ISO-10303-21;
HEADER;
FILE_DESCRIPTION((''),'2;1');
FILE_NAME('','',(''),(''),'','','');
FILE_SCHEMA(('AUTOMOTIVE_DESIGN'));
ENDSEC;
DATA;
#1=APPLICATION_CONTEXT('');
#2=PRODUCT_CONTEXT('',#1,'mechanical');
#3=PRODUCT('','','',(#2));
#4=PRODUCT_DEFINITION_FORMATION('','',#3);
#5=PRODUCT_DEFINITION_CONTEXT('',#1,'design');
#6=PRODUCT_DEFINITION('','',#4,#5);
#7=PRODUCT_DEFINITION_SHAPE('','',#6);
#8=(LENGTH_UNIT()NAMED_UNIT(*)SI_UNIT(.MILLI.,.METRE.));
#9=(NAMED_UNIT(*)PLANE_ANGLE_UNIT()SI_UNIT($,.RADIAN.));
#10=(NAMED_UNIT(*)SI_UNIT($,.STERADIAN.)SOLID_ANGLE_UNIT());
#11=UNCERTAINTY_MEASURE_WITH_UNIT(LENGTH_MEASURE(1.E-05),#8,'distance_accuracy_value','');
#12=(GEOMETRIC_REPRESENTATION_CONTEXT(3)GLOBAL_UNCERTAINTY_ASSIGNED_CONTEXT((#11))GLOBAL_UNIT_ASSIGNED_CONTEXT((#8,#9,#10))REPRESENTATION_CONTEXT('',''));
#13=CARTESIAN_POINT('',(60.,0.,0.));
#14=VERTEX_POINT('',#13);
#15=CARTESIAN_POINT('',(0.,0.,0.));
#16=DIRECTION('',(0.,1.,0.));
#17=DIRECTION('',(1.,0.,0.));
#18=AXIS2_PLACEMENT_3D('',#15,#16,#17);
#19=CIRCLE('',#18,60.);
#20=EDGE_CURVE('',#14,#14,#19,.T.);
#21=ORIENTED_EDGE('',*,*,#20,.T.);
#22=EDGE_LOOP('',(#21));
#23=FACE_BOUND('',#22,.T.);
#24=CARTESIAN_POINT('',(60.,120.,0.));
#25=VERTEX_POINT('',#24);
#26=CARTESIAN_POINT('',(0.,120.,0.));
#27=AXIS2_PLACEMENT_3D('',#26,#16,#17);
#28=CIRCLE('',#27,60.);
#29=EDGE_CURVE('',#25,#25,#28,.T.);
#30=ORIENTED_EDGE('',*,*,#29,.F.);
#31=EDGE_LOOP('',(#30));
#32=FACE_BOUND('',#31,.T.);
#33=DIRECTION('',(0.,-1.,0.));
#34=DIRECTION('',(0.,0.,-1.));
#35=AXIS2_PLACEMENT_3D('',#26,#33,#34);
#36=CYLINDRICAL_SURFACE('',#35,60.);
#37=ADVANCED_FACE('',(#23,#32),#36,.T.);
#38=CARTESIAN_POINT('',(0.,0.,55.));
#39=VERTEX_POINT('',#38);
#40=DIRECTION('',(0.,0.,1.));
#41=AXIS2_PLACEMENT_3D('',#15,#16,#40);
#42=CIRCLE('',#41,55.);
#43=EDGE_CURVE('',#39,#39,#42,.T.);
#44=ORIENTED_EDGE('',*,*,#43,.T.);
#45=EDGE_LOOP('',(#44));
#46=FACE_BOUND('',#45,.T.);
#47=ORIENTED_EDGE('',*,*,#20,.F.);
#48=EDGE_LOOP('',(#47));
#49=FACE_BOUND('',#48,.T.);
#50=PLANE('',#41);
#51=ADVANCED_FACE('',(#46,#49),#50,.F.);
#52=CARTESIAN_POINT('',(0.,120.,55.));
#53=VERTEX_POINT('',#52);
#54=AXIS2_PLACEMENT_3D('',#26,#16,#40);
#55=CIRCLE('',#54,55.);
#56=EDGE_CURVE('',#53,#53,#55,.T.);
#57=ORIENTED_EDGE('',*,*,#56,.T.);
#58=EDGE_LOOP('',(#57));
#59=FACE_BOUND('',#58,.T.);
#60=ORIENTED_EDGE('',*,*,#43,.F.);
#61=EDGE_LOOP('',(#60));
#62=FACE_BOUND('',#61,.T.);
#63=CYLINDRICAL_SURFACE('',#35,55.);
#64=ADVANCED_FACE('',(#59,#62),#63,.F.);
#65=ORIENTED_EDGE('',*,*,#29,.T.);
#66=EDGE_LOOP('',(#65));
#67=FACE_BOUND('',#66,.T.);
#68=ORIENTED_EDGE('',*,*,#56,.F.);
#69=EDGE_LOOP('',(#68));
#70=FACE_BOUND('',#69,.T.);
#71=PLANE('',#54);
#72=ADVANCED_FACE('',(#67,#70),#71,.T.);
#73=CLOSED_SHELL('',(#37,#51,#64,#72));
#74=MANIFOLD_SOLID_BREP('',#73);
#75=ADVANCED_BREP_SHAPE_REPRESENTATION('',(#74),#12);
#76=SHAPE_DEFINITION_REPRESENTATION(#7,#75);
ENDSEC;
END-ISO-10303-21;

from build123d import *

# Parameters (mm, degrees)
SKETCH_1_R      = 60
SKETCH_1_R_2    = 55
EXTRUDE_1_DEPTH = 120


with BuildPart() as part:
    # Эскиз1 → Вытянуть-Тонкостенный1 (new body)
    with BuildSketch(Plane(origin=(0, 0, 0), x_dir=(1, 0, 0), z_dir=(0, 1, 0))):
        Circle(SKETCH_1_R)
        Circle(SKETCH_1_R_2, mode=Mode.SUBTRACT)
    extrude(amount=EXTRUDE_1_DEPTH)


solid = part.part
